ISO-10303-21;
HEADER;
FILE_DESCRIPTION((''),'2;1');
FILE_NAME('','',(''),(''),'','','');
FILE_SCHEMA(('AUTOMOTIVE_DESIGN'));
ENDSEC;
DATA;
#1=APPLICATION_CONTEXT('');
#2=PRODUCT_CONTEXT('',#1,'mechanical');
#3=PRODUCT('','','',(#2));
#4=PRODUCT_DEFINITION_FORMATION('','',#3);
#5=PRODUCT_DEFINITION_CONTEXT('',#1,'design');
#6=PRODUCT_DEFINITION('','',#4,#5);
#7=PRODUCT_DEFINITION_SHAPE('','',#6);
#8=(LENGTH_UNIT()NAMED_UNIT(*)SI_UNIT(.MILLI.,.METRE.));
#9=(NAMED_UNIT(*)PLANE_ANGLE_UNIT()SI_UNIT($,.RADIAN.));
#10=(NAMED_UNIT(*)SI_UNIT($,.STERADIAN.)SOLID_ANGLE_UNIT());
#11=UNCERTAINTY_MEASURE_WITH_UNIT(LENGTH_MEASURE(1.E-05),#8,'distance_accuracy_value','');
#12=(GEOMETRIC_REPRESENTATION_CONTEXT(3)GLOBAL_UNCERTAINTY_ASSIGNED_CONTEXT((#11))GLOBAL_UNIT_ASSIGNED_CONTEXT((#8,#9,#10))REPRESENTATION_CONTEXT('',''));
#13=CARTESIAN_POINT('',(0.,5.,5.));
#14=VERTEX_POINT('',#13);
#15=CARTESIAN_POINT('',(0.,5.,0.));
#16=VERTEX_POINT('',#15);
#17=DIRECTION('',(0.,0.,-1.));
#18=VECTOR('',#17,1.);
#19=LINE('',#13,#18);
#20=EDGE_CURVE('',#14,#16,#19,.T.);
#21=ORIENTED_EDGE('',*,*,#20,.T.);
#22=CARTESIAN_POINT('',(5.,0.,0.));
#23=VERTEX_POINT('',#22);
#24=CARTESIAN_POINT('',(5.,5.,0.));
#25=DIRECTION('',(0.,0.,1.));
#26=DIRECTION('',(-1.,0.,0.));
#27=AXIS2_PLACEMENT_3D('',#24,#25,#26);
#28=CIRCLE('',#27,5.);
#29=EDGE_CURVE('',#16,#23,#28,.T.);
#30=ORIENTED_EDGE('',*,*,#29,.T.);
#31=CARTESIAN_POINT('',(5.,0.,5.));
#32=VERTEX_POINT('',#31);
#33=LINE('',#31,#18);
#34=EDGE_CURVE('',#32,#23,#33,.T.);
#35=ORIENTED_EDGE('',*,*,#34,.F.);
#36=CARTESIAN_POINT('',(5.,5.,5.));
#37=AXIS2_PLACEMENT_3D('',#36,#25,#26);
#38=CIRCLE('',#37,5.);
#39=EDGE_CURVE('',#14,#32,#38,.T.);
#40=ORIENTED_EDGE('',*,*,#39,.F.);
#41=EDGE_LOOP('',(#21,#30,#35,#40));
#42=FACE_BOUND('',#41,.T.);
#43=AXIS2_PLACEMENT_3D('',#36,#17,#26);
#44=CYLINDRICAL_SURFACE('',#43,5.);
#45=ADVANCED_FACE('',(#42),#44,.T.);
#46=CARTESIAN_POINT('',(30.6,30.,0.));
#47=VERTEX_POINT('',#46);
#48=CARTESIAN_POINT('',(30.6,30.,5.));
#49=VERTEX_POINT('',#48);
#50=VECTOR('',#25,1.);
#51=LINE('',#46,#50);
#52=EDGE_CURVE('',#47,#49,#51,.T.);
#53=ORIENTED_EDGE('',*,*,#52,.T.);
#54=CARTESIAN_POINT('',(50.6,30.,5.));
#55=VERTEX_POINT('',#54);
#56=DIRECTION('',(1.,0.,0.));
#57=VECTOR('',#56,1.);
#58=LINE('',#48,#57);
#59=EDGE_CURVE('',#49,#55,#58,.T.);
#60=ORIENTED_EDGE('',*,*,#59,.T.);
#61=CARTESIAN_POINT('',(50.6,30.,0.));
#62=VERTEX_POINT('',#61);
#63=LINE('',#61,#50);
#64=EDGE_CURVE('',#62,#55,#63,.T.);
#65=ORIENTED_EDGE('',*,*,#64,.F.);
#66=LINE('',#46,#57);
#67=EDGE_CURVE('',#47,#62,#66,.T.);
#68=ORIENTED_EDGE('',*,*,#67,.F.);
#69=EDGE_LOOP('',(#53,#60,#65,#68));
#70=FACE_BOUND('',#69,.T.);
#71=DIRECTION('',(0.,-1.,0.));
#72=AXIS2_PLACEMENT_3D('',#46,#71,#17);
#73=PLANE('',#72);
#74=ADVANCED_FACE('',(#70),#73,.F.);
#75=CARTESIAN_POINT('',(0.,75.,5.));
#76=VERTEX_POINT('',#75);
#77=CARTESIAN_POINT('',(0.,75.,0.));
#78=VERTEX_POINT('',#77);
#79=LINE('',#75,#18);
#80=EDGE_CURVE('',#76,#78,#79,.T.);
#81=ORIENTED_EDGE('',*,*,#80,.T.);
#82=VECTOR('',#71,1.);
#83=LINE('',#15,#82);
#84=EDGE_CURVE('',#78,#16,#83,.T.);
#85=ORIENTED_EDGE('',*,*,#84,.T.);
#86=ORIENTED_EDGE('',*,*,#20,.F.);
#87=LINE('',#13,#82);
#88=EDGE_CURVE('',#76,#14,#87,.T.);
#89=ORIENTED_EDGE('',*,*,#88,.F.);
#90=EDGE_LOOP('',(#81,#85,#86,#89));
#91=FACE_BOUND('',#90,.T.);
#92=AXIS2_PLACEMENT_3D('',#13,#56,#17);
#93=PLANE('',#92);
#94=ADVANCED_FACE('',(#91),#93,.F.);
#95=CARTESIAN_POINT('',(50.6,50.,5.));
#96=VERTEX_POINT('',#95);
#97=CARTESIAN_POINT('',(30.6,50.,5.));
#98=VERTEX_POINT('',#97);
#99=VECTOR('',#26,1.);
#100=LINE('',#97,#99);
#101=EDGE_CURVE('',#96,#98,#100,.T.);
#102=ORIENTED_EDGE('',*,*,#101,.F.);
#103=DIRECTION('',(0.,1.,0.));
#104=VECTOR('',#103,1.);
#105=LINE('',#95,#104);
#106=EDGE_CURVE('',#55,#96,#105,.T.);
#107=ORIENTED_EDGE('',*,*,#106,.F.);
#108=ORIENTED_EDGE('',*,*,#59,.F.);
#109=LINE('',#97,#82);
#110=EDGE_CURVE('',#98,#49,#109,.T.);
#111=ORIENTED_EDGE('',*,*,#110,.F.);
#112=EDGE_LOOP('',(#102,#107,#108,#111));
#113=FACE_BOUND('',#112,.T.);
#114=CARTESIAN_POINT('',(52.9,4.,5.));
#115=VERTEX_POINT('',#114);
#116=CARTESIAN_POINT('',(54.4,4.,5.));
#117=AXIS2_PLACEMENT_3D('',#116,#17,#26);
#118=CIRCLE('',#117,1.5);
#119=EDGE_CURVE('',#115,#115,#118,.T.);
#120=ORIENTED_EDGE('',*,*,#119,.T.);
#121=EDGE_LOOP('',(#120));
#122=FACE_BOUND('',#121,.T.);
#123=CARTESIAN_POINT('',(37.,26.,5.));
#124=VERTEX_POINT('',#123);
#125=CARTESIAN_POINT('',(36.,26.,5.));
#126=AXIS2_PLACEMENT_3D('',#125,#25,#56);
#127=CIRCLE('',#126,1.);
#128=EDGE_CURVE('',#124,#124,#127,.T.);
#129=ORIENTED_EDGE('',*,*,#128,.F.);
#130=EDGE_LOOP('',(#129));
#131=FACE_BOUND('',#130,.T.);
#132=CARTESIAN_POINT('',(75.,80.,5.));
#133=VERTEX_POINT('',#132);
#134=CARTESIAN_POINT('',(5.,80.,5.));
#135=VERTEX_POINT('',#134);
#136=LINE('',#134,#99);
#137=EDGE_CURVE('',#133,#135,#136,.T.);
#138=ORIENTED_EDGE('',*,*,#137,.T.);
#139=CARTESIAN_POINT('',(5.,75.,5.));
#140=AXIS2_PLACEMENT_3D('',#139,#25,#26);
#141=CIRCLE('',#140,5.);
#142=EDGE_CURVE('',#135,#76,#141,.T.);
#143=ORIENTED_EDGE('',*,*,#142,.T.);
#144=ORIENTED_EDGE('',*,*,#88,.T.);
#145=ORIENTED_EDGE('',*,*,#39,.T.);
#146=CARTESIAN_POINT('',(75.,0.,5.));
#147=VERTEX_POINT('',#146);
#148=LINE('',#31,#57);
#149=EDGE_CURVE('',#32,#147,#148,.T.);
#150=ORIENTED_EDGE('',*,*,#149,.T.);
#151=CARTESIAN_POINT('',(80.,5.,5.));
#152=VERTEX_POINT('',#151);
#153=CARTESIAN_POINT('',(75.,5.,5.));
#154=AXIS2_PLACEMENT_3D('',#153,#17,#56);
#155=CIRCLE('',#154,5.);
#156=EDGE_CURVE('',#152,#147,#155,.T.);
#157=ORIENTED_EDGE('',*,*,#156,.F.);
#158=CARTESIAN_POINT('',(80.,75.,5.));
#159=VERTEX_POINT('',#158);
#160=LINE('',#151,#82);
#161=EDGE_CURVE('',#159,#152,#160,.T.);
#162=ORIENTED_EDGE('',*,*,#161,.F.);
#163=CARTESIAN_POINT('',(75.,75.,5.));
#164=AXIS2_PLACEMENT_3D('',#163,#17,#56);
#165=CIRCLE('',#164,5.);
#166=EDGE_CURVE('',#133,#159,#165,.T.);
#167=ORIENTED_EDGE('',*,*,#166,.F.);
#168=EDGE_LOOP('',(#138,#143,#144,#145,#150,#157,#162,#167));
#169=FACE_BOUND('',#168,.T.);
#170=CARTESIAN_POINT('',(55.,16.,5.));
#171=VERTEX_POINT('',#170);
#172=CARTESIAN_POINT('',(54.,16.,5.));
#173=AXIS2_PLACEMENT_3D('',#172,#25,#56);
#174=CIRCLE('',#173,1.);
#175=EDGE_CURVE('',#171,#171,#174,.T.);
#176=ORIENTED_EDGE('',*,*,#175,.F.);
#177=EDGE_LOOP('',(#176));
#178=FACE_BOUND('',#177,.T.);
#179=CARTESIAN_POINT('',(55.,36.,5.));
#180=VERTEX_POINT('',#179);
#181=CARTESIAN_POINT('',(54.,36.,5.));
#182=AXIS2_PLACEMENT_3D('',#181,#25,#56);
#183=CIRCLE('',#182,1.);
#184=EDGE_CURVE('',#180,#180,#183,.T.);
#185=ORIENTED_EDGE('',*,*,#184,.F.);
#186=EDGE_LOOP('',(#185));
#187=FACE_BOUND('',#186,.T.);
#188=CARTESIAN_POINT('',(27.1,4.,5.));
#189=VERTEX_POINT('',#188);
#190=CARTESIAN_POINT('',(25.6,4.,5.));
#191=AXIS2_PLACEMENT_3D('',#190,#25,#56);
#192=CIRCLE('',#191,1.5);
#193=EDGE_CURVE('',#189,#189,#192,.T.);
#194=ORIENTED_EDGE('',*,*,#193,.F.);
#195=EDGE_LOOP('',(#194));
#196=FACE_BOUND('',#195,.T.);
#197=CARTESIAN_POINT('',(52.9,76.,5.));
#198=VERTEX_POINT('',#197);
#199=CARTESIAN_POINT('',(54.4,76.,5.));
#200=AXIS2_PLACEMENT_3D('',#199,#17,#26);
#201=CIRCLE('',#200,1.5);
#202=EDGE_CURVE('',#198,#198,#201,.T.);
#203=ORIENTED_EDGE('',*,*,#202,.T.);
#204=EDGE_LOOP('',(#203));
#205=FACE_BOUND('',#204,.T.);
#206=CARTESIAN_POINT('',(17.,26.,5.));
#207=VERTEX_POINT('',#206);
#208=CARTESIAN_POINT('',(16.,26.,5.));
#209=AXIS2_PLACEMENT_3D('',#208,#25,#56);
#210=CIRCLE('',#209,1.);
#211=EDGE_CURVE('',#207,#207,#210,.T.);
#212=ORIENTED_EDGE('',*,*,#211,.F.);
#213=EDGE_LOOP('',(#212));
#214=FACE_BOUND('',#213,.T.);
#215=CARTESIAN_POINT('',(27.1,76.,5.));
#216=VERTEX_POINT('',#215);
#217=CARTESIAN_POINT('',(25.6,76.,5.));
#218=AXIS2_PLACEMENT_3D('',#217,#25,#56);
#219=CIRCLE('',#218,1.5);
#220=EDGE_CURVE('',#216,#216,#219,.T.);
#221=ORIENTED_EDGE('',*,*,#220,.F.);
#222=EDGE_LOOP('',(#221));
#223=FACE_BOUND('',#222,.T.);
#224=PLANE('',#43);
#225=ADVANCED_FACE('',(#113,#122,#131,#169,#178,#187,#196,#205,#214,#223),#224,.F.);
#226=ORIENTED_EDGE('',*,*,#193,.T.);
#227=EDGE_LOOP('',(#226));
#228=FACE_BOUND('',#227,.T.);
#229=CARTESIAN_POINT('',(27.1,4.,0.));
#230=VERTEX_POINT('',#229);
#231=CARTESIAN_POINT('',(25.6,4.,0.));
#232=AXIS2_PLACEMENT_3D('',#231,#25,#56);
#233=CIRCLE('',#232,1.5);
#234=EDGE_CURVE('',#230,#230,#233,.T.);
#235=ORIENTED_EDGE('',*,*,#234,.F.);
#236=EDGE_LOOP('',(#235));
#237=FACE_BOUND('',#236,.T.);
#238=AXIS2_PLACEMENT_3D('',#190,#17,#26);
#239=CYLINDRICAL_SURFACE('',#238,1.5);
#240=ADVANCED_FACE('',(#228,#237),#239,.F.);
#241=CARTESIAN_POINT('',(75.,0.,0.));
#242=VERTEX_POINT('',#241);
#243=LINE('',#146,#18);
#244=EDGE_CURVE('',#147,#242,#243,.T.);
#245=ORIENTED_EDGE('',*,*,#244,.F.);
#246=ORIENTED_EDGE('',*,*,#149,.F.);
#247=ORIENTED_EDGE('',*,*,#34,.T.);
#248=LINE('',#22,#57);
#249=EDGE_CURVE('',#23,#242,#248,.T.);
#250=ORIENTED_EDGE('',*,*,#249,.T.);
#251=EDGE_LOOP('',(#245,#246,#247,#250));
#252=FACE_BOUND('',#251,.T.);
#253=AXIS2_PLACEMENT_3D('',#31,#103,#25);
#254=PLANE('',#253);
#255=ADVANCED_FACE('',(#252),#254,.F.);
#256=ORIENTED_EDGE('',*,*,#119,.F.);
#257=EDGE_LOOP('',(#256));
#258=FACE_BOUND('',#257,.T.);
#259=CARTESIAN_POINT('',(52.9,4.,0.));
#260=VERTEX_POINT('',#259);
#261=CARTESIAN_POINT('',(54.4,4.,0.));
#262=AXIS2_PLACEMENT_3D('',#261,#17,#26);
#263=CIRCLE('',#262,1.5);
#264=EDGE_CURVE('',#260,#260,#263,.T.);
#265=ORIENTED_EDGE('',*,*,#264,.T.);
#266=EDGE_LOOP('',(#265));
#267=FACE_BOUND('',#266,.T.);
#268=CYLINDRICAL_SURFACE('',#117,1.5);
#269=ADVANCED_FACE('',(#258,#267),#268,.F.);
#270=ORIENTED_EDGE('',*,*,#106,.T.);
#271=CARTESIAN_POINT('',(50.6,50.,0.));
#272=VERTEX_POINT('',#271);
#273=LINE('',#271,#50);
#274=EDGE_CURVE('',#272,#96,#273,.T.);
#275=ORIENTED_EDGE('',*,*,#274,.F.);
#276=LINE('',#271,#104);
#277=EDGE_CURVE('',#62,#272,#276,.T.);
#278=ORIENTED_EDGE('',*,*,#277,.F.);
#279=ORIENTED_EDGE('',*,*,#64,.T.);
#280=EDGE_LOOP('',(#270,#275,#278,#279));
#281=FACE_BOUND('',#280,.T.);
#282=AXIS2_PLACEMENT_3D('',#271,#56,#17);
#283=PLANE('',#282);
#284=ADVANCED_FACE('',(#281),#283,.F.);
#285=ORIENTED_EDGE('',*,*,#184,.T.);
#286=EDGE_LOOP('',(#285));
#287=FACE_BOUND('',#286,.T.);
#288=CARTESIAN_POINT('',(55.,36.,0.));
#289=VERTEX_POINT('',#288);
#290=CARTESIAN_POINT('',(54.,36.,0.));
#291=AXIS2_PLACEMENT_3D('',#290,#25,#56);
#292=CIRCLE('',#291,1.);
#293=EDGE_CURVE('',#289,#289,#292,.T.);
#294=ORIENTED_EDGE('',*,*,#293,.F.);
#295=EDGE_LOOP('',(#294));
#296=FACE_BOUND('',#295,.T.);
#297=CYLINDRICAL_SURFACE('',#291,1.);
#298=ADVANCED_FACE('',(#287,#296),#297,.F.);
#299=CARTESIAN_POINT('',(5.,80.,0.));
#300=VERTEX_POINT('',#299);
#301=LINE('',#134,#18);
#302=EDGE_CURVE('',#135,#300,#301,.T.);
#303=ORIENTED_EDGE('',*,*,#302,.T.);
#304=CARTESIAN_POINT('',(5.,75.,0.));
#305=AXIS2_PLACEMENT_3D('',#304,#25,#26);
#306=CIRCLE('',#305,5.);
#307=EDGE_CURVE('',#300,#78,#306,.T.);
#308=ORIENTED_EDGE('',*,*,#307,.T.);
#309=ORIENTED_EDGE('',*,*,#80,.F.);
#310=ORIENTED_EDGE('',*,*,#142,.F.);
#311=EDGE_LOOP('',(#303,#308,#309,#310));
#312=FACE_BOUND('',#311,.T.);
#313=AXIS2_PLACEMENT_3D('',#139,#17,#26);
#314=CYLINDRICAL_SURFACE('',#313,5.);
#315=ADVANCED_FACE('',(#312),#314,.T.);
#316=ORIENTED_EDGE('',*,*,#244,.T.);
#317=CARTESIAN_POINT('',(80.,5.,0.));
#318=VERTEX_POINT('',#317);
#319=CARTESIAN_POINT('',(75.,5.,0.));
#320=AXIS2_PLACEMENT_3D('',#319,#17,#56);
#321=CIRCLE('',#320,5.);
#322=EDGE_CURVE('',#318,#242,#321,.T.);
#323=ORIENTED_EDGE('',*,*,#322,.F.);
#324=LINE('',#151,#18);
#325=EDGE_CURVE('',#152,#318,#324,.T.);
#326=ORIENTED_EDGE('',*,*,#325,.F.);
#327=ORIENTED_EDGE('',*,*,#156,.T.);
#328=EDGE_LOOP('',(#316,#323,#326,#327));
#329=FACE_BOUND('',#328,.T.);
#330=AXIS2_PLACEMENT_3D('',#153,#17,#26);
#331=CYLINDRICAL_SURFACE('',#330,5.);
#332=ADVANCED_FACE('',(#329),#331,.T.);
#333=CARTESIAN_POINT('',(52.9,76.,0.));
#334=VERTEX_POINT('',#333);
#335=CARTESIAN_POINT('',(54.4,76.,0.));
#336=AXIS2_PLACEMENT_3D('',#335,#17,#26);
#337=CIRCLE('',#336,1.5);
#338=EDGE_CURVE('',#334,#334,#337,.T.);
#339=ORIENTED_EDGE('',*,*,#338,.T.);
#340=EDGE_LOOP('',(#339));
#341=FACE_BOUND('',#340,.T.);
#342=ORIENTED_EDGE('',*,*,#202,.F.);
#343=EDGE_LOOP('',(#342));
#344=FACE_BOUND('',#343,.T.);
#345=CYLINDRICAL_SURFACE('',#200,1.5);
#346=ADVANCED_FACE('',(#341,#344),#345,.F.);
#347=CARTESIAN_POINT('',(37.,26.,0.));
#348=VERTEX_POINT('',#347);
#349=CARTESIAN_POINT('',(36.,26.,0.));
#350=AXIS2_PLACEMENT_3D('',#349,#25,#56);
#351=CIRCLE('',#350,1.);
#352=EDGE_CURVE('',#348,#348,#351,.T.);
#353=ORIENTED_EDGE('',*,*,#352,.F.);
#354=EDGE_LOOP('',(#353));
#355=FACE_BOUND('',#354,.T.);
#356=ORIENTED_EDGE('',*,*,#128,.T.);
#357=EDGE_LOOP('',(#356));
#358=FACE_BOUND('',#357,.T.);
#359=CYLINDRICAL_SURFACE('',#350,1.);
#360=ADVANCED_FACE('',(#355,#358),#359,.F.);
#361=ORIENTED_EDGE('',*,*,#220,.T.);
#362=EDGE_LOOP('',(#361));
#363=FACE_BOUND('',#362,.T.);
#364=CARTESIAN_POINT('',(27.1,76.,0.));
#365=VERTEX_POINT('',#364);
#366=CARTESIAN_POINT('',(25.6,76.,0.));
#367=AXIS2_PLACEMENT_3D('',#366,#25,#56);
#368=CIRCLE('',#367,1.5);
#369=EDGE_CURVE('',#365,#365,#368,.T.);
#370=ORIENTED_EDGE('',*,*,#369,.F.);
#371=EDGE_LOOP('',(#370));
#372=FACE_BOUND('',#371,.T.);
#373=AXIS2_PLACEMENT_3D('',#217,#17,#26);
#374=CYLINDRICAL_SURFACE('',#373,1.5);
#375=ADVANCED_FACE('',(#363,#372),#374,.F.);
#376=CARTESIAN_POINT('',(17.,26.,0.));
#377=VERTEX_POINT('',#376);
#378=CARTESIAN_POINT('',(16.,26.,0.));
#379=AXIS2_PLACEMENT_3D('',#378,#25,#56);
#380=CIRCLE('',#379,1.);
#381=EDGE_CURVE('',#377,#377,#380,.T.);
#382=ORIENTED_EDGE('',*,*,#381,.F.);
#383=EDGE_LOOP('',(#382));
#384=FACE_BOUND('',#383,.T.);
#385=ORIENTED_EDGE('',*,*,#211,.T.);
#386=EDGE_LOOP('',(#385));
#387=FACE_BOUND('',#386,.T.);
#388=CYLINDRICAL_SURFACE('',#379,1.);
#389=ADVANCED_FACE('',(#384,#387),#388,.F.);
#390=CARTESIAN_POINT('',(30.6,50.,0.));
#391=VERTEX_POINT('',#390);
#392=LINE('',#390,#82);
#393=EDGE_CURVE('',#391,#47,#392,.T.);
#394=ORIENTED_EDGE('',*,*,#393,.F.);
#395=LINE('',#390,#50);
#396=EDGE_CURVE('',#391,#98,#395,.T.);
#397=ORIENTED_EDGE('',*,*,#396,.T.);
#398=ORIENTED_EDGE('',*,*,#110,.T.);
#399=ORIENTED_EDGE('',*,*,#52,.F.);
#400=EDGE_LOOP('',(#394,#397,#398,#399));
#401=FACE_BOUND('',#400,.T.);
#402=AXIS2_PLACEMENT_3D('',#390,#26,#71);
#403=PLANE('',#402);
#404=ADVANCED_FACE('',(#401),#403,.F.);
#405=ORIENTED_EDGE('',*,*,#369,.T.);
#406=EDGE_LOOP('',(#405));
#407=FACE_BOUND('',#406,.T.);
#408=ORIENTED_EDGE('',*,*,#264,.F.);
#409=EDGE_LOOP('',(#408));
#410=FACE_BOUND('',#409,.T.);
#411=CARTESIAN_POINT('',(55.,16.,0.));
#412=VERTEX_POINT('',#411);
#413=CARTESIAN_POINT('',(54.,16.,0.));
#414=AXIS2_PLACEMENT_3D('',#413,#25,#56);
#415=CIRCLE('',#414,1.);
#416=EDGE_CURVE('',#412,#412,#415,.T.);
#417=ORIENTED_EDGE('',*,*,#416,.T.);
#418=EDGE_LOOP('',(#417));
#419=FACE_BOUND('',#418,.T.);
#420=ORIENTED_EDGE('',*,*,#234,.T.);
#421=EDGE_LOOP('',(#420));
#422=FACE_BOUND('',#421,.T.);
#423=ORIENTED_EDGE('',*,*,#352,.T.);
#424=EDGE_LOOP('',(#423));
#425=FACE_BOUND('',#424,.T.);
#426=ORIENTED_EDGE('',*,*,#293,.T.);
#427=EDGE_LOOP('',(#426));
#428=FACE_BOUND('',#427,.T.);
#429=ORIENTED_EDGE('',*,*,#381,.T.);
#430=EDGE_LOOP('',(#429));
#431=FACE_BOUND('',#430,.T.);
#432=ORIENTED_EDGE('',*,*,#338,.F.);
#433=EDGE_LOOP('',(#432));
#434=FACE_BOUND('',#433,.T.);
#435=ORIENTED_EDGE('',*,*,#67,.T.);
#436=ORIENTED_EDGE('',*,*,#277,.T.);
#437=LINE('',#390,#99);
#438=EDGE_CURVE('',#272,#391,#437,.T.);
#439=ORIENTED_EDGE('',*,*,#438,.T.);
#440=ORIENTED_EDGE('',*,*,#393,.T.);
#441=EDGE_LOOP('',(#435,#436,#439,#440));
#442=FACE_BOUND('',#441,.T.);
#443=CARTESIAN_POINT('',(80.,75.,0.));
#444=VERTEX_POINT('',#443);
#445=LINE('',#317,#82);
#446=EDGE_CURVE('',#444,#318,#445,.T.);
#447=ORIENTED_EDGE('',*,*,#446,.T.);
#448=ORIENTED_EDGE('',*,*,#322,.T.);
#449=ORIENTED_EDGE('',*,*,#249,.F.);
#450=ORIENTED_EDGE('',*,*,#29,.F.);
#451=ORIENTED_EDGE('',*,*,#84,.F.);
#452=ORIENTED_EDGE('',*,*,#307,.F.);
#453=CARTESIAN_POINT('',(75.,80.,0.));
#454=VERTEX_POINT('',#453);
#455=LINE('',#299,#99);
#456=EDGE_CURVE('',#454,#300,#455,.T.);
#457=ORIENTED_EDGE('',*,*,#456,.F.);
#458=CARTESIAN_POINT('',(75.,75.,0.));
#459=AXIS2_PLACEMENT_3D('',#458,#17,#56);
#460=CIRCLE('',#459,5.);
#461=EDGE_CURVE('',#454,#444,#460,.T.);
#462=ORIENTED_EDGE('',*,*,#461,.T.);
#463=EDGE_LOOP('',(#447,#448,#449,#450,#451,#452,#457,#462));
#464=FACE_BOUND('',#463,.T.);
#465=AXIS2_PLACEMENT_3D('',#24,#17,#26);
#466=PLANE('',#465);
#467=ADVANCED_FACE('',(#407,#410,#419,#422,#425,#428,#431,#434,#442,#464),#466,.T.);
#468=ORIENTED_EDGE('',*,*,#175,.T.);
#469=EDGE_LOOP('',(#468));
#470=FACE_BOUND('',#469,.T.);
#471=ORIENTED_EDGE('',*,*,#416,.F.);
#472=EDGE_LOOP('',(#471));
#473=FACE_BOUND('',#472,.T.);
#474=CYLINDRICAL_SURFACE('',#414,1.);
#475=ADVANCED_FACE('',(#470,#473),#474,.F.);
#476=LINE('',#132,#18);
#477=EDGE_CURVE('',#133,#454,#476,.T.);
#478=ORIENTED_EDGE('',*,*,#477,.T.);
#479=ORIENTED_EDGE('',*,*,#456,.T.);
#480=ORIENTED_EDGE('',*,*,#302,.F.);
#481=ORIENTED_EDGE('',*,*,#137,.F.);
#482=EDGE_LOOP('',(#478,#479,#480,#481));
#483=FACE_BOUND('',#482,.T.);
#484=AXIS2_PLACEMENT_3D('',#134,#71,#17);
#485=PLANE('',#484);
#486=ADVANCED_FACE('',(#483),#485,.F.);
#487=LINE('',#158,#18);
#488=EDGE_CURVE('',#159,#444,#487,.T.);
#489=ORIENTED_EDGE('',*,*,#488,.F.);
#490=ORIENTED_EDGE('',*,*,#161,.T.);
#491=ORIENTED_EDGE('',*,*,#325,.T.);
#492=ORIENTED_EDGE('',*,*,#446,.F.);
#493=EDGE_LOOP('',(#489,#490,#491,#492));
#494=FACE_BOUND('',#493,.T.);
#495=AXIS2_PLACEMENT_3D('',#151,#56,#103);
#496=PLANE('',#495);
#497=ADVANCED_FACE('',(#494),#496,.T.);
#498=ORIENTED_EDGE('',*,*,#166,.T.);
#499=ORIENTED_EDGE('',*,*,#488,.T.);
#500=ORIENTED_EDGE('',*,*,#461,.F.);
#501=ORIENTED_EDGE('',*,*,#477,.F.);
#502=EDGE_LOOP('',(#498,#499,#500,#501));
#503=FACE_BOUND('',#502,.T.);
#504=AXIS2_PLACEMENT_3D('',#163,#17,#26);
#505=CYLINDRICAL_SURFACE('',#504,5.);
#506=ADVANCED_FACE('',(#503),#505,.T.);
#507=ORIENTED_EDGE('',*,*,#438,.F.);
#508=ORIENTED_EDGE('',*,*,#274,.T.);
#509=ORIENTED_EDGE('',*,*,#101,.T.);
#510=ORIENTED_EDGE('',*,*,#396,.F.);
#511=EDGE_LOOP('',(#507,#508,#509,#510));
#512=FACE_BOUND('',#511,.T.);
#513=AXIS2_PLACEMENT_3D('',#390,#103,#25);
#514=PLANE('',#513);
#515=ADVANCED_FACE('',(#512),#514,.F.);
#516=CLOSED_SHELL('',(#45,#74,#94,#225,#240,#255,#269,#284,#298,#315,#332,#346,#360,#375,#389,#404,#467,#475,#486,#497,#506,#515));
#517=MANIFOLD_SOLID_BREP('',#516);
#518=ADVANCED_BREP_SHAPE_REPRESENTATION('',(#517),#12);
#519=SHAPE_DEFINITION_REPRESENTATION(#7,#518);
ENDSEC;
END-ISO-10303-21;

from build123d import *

# Parameters (mm, degrees)
ESQUISSE1_R             = 1.5
BOSS_EXTRU_1_DEPTH      = 5
ESQUISSE2_W             = 20
ESQUISSE2_H             = 20
ENL_V_MAT_EXTRU_1_DEPTH = 114.247516529
ESQUISSE3_R             = 1
ENL_V_MAT_EXTRU_2_DEPTH = 114.247516529


with BuildPart() as part:
    # Esquisse1 → Boss.-Extru.1 (new body)
    with BuildSketch(Plane.XY):
        with BuildLine():
            Line((40, 50), (40, 80))
            Line((40, 80), (5, 80))
            ThreePointArc((5, 80), (1.464466094, 78.535533906), (0, 75))
            Line((0, 75), (0, 5))
            ThreePointArc((0, 5), (1.464466094, 1.464466094), (5, 0))
            Line((5, 0), (40, 0))
            Line((40, 0), (40, 30))
            Line((40, 30), (40, 50))
        make_face()
        with Locations((25.6, 76)):
            Circle(ESQUISSE1_R, mode=Mode.SUBTRACT)
        with Locations((25.6, 4)):
            Circle(ESQUISSE1_R, mode=Mode.SUBTRACT)
    boss_extru_1 = extrude(amount=BOSS_EXTRU_1_DEPTH)

    # Symétrie1: Boss.-Extru.1 across plane
    add(boss_extru_1.mirror(Plane(origin=(40, 50, 5), x_dir=(0, 0, 1), z_dir=(-1, 0, 0))))

    # Esquisse2 → Enlèv. mat.-Extru.1 (cut, through all)
    with BuildSketch(Plane.XY.offset(5)):
        with Locations((40.6, 40)):
            Rectangle(ESQUISSE2_W, ESQUISSE2_H)
    extrude(amount=-ENL_V_MAT_EXTRU_1_DEPTH, mode=Mode.SUBTRACT)

    # Esquisse3 → Enlèv. mat.-Extru.2 (cut, through all)
    with BuildSketch(Plane.XY.offset(5)):
        with Locations((54, 36)):
            Circle(ESQUISSE3_R)
        with Locations((54, 16)):
            Circle(ESQUISSE3_R)
        with Locations((36, 26)):
            Circle(ESQUISSE3_R)
        with Locations((16, 26)):
            Circle(ESQUISSE3_R)
    extrude(amount=-ENL_V_MAT_EXTRU_2_DEPTH, mode=Mode.SUBTRACT)


solid = part.part
